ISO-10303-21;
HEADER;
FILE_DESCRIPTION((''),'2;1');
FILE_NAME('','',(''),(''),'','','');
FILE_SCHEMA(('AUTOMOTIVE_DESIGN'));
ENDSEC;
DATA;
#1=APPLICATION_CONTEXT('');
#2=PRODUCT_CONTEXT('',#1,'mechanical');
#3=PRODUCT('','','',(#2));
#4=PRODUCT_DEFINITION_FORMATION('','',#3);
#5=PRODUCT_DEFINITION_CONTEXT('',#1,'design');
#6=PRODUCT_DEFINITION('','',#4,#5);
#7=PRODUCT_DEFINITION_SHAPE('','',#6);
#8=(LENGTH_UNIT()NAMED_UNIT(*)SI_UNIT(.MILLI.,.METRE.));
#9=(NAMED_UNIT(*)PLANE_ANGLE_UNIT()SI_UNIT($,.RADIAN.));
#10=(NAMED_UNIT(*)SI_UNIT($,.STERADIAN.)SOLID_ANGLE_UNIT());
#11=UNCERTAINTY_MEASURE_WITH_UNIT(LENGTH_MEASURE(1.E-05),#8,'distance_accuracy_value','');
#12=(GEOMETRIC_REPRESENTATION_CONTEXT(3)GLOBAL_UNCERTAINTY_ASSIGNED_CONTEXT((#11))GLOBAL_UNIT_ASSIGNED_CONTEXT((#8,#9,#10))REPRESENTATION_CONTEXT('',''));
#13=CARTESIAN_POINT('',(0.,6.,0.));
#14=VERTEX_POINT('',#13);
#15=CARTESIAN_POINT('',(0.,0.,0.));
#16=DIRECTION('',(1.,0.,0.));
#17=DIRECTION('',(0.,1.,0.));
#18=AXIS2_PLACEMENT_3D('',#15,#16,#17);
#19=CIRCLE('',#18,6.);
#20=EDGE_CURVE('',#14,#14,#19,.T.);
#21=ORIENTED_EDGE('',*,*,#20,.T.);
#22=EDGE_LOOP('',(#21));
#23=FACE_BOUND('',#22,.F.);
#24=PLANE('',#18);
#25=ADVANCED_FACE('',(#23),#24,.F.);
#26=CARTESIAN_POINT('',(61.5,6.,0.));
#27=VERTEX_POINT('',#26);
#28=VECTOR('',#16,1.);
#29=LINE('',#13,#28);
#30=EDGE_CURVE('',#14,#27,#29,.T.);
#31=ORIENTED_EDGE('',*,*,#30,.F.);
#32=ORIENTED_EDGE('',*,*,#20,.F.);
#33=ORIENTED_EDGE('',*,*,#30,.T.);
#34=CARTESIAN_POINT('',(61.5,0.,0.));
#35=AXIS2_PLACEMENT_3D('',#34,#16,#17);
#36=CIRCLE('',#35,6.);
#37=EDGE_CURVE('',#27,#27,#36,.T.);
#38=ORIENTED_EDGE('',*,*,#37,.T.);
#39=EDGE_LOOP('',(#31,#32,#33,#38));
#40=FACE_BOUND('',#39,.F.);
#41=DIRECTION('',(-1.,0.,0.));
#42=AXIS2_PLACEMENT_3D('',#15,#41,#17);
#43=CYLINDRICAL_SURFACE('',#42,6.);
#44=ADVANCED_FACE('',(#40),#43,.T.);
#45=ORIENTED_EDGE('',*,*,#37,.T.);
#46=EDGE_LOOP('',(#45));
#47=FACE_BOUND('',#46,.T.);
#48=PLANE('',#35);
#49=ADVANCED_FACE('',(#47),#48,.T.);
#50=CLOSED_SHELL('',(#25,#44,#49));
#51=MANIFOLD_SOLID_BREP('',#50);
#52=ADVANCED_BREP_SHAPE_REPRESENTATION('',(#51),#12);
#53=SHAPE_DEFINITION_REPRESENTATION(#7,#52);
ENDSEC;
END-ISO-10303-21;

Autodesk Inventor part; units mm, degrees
ref_plane "YZ Plane" through (0, 0, 0) normal (1, 0, 0) x (0, 1, 0)
ref_plane "XZ Plane" through (0, 0, 0) normal (0, 1, 0) x (-1, 0, 0)
ref_plane "XY Plane" through (0, 0, 0) normal (0, 0, 1) x (1, 0, 0)
sketch "スケッチ1" plane through (0, 0, 0) normal (1, 0, 0) x (0, 1, 0)
  circle A0 centre (0, 0) radius 6
  dimension "d0" = 12
extrude "押し出し1" add sketch "スケッチ1" along normal blind 61.5
properties part number "RZvector-v1-Shaft-P-Shaft-2"
